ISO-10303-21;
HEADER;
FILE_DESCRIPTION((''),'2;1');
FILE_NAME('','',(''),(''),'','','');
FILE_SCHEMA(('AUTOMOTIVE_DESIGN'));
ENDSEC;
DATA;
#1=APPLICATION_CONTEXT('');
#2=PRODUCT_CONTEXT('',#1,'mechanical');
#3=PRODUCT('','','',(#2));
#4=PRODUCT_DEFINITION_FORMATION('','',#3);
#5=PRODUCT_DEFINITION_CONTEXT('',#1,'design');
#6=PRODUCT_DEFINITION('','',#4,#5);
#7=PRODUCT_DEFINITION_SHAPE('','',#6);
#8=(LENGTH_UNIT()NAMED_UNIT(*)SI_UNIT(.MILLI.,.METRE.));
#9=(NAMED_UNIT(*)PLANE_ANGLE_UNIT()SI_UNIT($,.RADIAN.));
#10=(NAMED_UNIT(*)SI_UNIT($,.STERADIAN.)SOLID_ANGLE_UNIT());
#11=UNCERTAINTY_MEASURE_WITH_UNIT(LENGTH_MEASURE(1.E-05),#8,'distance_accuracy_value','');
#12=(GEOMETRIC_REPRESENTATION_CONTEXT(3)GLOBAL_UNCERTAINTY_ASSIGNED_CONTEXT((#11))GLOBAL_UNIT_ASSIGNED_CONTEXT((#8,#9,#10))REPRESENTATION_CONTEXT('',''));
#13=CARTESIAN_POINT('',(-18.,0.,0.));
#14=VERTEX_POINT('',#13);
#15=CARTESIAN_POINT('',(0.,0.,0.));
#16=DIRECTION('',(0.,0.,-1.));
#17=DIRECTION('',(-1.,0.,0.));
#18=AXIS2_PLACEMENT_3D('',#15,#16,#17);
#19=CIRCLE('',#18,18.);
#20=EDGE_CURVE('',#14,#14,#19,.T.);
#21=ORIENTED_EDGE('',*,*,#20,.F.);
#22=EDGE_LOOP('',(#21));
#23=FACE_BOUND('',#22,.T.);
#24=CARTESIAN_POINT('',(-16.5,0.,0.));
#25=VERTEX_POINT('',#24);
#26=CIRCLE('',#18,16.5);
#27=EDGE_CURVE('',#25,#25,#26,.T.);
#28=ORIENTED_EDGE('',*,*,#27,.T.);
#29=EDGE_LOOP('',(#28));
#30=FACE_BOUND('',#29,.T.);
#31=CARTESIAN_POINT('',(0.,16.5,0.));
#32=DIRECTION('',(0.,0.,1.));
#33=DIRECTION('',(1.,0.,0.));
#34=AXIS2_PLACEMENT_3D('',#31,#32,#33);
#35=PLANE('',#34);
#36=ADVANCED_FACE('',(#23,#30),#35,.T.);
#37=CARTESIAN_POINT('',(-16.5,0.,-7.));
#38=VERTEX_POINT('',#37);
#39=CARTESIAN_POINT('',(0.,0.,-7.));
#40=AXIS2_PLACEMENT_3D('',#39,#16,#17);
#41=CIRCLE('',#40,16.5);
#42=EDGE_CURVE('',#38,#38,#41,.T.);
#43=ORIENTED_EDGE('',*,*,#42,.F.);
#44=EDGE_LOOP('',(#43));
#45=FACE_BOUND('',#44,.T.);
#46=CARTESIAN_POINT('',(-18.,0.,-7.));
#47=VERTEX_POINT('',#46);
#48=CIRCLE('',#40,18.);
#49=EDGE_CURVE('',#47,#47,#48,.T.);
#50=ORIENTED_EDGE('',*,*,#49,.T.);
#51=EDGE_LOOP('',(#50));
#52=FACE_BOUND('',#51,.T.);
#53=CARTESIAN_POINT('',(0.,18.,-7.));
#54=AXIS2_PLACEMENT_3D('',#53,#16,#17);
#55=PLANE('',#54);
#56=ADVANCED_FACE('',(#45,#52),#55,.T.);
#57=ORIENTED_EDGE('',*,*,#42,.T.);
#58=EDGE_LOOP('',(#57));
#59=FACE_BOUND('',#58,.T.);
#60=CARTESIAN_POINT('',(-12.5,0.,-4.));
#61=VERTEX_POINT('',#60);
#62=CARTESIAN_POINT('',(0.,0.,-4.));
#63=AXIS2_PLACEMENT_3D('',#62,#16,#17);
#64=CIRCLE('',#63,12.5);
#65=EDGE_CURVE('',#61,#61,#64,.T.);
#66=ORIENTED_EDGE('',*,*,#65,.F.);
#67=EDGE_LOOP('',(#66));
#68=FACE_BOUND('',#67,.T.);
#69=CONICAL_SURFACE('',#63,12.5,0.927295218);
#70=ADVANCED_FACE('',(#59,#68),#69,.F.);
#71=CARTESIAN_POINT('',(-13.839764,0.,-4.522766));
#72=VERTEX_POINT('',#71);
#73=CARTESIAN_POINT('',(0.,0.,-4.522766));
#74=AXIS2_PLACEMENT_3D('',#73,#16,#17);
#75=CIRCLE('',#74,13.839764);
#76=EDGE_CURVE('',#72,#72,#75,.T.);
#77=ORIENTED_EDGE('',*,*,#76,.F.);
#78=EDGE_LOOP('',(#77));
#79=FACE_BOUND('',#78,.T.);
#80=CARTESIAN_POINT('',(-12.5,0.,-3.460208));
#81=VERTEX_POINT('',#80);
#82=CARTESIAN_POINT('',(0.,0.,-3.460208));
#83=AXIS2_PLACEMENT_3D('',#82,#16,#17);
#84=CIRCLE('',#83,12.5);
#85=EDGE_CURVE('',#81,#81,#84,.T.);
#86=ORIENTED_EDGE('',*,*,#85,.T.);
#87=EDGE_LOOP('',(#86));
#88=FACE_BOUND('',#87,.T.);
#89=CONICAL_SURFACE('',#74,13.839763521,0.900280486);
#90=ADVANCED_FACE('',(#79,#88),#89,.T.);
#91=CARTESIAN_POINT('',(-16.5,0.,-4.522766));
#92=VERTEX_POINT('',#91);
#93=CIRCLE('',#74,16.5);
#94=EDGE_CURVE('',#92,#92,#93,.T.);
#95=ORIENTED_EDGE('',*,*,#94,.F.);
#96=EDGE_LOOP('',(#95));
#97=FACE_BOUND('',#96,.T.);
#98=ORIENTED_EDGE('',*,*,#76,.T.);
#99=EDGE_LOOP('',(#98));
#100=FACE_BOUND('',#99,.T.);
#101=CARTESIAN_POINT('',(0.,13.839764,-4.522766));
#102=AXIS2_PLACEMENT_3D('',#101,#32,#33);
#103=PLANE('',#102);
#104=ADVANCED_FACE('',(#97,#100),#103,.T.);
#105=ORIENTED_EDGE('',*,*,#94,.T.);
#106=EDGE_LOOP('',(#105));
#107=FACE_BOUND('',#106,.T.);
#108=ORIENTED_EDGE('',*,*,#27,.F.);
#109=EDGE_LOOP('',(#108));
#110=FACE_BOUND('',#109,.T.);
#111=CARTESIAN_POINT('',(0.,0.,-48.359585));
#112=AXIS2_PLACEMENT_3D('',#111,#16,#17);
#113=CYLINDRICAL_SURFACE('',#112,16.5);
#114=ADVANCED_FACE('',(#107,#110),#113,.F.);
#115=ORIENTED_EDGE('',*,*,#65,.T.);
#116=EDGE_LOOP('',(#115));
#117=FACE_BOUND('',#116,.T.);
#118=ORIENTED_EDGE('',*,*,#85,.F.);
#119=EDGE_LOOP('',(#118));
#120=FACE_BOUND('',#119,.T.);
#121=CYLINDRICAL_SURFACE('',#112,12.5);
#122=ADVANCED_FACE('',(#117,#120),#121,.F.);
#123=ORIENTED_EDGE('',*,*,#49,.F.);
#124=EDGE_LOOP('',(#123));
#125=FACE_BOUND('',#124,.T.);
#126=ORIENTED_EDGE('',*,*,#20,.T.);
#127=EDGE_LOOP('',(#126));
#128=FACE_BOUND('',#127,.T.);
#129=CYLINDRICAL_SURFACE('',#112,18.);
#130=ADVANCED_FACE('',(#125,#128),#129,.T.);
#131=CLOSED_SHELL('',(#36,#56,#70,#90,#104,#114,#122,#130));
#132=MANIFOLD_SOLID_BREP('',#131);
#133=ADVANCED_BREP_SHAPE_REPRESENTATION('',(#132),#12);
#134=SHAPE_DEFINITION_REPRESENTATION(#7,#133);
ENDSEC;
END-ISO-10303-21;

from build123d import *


with BuildPart() as part:
    # Sketch1 → Revolve1 (revolve)
    with BuildSketch(Plane(origin=(0, 0, 0), x_dir=(0, 0, -1), z_dir=(1, 0, 0)), mode=Mode.PRIVATE) as revolve1_sk:
        Polygon((0, 16.5), (0, 18), (7, 18), (7, 16.5), (4, 12.5), (3.460207762, 12.5), (4.522766352, 13.839763521), (4.522766352, 16.5), align=None)
    revolve(revolve1_sk.sketch.rotate(Axis((0, 0, -48.359584539), (0, 0, 1)), 90), axis=Axis((0, 0, -48.359584539), (0, 0, 1)))


solid = part.part
